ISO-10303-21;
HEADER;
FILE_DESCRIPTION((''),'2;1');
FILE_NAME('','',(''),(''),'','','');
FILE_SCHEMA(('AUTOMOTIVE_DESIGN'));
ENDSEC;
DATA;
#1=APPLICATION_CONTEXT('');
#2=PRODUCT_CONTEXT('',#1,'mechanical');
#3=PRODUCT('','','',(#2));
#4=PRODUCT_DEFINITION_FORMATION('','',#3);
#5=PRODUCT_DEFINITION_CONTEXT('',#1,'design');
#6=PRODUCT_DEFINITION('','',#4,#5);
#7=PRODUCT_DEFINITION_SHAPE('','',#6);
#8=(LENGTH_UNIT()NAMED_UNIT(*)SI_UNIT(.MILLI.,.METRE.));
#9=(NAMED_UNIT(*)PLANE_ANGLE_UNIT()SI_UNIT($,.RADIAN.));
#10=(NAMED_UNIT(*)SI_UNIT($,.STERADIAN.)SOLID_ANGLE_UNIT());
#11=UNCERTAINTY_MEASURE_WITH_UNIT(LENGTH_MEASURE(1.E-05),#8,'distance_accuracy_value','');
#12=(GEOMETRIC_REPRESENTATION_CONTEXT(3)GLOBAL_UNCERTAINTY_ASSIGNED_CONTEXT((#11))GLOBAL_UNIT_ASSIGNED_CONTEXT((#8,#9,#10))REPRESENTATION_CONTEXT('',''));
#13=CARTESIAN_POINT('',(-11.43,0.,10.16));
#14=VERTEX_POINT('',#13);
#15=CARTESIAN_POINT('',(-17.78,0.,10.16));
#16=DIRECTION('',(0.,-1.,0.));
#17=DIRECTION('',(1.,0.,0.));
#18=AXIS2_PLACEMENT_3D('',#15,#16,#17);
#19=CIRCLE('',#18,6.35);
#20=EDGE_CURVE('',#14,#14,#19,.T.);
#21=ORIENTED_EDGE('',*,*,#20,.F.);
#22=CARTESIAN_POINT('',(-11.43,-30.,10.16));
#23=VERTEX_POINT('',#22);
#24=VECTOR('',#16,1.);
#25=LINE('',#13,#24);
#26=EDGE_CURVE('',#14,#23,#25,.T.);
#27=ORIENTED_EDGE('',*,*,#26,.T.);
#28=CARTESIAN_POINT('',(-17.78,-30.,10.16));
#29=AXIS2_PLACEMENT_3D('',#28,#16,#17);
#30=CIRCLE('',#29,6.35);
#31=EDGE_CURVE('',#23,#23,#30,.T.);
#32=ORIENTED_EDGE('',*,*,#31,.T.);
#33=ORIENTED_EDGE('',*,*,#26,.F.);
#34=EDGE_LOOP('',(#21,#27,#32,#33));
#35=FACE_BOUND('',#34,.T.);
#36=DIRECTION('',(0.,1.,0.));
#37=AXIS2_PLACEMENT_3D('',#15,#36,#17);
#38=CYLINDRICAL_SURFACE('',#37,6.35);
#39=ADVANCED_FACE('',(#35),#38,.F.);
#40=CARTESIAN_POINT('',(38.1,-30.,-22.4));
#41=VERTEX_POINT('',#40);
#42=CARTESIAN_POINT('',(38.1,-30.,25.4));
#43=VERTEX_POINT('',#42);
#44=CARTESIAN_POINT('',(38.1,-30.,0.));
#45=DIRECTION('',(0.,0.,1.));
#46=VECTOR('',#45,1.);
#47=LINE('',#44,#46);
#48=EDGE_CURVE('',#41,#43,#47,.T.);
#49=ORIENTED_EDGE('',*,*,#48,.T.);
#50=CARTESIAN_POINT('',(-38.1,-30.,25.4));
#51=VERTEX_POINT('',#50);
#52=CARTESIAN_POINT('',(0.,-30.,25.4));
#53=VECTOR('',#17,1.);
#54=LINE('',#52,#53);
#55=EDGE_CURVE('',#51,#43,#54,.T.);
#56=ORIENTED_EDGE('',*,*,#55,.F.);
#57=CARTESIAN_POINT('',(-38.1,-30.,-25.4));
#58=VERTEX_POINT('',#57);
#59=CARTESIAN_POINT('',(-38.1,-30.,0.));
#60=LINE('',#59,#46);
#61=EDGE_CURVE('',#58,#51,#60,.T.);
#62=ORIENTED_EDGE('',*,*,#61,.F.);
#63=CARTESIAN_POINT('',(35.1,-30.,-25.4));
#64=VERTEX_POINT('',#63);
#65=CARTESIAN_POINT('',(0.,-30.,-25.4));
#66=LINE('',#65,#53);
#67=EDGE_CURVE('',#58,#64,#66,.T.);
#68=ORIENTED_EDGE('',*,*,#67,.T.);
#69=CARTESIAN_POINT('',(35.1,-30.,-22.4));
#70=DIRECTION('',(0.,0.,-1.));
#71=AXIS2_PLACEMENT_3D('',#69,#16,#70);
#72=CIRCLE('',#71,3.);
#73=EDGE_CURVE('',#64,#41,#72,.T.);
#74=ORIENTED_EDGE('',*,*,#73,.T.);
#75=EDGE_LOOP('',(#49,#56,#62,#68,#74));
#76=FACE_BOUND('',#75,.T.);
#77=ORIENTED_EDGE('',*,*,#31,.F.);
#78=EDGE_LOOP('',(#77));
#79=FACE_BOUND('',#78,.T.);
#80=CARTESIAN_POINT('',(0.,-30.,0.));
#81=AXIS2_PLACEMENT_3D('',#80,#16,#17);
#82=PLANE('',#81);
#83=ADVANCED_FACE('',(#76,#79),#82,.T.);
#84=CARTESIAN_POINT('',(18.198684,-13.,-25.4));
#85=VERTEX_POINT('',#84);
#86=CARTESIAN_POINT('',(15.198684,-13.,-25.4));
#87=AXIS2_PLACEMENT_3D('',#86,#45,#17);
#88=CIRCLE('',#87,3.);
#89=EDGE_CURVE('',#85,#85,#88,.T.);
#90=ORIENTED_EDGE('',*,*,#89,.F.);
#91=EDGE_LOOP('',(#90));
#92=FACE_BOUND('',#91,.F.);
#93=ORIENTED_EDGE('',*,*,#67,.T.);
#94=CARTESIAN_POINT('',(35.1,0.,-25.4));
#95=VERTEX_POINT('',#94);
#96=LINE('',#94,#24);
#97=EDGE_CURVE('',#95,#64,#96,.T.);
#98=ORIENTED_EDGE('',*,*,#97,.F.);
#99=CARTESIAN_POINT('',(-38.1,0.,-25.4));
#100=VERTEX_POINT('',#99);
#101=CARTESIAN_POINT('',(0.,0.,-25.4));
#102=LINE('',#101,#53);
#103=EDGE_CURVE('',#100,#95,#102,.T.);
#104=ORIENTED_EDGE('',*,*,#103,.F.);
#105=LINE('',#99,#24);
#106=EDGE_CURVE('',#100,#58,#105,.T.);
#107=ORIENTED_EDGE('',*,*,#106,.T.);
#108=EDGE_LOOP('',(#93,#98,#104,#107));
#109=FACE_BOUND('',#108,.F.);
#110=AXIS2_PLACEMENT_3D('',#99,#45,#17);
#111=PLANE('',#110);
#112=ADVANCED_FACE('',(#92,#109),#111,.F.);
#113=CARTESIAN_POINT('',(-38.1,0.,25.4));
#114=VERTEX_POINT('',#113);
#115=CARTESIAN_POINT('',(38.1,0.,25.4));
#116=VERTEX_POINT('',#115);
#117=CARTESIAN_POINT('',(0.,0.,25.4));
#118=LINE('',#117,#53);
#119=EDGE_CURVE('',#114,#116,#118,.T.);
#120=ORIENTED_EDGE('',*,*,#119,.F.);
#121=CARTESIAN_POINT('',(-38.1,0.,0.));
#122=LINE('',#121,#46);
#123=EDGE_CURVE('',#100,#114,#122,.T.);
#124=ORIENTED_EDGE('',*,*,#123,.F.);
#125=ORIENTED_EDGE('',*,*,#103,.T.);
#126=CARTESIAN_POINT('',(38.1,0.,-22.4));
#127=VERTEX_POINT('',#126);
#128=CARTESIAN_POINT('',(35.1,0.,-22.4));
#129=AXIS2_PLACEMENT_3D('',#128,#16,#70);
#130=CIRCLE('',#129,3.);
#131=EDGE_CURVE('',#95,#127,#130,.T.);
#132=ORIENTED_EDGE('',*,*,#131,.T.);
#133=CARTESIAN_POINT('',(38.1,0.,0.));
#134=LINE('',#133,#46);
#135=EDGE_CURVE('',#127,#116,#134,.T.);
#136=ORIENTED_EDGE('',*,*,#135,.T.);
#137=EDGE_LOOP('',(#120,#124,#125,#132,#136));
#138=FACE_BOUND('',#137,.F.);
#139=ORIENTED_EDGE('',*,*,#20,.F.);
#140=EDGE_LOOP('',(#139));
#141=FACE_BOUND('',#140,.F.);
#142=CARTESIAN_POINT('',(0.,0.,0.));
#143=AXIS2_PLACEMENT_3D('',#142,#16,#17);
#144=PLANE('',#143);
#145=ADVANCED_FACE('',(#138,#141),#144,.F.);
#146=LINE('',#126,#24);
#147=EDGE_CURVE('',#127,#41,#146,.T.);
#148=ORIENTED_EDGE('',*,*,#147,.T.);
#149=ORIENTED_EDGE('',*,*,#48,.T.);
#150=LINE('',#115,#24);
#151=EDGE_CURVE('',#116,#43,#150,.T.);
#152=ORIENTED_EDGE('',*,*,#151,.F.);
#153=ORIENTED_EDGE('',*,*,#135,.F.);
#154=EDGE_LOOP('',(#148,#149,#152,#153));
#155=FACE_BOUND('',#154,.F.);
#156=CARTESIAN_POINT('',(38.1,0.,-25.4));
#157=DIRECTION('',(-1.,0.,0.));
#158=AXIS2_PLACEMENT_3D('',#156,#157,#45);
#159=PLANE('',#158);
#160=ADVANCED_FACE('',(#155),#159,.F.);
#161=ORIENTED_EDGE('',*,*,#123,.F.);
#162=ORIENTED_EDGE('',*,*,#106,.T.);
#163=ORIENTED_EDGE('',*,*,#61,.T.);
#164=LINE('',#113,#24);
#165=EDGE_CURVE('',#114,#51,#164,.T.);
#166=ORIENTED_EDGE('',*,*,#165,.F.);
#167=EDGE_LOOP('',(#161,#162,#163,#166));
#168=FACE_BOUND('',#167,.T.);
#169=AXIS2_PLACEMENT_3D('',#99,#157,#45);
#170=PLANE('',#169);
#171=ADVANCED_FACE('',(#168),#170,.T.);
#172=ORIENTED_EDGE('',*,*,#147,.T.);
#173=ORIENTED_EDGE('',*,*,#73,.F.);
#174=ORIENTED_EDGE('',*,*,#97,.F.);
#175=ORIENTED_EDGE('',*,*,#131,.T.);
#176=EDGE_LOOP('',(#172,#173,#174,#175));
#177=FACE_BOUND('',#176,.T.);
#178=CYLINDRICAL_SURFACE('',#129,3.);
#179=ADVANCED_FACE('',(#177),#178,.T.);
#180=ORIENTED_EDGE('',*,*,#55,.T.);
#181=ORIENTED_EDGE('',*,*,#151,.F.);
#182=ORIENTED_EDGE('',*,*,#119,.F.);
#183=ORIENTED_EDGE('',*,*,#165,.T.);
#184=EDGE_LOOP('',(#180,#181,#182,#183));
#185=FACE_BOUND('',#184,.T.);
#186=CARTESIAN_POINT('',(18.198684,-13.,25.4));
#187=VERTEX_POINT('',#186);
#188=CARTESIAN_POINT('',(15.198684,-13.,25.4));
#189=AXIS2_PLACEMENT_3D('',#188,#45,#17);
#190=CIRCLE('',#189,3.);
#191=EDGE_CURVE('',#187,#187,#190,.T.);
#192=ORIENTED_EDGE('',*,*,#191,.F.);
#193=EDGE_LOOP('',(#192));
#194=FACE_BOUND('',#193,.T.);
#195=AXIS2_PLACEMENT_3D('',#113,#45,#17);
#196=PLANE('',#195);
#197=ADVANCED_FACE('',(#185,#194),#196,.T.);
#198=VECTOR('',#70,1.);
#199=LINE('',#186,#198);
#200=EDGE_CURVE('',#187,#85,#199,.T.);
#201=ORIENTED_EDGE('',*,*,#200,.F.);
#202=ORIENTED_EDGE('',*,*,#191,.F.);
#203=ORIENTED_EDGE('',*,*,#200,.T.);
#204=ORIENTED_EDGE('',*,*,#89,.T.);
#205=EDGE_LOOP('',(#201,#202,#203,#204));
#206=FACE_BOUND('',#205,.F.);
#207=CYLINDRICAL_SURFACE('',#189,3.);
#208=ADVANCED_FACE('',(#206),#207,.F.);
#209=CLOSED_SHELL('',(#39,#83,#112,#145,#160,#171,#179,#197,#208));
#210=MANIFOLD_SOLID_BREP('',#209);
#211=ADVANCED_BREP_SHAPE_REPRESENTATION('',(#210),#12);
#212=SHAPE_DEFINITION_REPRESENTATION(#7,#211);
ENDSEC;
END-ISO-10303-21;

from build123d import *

# Parameters (mm, degrees)
F0_W     = 76.2
F0_H     = 50.8
F0_R     = 6.35
F1_DEPTH = 30
F2_R     = 3
F3_DEPTH = 50.801
F4_R     = 3


with BuildPart() as f1:
    # F0 (on Front) → F1 (new body)
    with BuildSketch(Plane.XZ):
        Rectangle(F0_W, F0_H)
        with Locations((-17.78, 10.16)):
            Circle(F0_R, mode=Mode.SUBTRACT)
    extrude(amount=F1_DEPTH)

    # F2 (on face) → F3 (cut, through all)
    with BuildSketch(Plane.XY.offset(25.4)):
        with Locations((15.198684, -13)):
            Circle(F2_R)
    extrude(amount=-F3_DEPTH, mode=Mode.SUBTRACT)

    # F4
    f4_edges = [f1.edges().sort_by_distance(p)[0] for p in [
        (38.1, -15, -25.4),
    ]]
    fillet(f4_edges, radius=F4_R)


solid = f1.part
